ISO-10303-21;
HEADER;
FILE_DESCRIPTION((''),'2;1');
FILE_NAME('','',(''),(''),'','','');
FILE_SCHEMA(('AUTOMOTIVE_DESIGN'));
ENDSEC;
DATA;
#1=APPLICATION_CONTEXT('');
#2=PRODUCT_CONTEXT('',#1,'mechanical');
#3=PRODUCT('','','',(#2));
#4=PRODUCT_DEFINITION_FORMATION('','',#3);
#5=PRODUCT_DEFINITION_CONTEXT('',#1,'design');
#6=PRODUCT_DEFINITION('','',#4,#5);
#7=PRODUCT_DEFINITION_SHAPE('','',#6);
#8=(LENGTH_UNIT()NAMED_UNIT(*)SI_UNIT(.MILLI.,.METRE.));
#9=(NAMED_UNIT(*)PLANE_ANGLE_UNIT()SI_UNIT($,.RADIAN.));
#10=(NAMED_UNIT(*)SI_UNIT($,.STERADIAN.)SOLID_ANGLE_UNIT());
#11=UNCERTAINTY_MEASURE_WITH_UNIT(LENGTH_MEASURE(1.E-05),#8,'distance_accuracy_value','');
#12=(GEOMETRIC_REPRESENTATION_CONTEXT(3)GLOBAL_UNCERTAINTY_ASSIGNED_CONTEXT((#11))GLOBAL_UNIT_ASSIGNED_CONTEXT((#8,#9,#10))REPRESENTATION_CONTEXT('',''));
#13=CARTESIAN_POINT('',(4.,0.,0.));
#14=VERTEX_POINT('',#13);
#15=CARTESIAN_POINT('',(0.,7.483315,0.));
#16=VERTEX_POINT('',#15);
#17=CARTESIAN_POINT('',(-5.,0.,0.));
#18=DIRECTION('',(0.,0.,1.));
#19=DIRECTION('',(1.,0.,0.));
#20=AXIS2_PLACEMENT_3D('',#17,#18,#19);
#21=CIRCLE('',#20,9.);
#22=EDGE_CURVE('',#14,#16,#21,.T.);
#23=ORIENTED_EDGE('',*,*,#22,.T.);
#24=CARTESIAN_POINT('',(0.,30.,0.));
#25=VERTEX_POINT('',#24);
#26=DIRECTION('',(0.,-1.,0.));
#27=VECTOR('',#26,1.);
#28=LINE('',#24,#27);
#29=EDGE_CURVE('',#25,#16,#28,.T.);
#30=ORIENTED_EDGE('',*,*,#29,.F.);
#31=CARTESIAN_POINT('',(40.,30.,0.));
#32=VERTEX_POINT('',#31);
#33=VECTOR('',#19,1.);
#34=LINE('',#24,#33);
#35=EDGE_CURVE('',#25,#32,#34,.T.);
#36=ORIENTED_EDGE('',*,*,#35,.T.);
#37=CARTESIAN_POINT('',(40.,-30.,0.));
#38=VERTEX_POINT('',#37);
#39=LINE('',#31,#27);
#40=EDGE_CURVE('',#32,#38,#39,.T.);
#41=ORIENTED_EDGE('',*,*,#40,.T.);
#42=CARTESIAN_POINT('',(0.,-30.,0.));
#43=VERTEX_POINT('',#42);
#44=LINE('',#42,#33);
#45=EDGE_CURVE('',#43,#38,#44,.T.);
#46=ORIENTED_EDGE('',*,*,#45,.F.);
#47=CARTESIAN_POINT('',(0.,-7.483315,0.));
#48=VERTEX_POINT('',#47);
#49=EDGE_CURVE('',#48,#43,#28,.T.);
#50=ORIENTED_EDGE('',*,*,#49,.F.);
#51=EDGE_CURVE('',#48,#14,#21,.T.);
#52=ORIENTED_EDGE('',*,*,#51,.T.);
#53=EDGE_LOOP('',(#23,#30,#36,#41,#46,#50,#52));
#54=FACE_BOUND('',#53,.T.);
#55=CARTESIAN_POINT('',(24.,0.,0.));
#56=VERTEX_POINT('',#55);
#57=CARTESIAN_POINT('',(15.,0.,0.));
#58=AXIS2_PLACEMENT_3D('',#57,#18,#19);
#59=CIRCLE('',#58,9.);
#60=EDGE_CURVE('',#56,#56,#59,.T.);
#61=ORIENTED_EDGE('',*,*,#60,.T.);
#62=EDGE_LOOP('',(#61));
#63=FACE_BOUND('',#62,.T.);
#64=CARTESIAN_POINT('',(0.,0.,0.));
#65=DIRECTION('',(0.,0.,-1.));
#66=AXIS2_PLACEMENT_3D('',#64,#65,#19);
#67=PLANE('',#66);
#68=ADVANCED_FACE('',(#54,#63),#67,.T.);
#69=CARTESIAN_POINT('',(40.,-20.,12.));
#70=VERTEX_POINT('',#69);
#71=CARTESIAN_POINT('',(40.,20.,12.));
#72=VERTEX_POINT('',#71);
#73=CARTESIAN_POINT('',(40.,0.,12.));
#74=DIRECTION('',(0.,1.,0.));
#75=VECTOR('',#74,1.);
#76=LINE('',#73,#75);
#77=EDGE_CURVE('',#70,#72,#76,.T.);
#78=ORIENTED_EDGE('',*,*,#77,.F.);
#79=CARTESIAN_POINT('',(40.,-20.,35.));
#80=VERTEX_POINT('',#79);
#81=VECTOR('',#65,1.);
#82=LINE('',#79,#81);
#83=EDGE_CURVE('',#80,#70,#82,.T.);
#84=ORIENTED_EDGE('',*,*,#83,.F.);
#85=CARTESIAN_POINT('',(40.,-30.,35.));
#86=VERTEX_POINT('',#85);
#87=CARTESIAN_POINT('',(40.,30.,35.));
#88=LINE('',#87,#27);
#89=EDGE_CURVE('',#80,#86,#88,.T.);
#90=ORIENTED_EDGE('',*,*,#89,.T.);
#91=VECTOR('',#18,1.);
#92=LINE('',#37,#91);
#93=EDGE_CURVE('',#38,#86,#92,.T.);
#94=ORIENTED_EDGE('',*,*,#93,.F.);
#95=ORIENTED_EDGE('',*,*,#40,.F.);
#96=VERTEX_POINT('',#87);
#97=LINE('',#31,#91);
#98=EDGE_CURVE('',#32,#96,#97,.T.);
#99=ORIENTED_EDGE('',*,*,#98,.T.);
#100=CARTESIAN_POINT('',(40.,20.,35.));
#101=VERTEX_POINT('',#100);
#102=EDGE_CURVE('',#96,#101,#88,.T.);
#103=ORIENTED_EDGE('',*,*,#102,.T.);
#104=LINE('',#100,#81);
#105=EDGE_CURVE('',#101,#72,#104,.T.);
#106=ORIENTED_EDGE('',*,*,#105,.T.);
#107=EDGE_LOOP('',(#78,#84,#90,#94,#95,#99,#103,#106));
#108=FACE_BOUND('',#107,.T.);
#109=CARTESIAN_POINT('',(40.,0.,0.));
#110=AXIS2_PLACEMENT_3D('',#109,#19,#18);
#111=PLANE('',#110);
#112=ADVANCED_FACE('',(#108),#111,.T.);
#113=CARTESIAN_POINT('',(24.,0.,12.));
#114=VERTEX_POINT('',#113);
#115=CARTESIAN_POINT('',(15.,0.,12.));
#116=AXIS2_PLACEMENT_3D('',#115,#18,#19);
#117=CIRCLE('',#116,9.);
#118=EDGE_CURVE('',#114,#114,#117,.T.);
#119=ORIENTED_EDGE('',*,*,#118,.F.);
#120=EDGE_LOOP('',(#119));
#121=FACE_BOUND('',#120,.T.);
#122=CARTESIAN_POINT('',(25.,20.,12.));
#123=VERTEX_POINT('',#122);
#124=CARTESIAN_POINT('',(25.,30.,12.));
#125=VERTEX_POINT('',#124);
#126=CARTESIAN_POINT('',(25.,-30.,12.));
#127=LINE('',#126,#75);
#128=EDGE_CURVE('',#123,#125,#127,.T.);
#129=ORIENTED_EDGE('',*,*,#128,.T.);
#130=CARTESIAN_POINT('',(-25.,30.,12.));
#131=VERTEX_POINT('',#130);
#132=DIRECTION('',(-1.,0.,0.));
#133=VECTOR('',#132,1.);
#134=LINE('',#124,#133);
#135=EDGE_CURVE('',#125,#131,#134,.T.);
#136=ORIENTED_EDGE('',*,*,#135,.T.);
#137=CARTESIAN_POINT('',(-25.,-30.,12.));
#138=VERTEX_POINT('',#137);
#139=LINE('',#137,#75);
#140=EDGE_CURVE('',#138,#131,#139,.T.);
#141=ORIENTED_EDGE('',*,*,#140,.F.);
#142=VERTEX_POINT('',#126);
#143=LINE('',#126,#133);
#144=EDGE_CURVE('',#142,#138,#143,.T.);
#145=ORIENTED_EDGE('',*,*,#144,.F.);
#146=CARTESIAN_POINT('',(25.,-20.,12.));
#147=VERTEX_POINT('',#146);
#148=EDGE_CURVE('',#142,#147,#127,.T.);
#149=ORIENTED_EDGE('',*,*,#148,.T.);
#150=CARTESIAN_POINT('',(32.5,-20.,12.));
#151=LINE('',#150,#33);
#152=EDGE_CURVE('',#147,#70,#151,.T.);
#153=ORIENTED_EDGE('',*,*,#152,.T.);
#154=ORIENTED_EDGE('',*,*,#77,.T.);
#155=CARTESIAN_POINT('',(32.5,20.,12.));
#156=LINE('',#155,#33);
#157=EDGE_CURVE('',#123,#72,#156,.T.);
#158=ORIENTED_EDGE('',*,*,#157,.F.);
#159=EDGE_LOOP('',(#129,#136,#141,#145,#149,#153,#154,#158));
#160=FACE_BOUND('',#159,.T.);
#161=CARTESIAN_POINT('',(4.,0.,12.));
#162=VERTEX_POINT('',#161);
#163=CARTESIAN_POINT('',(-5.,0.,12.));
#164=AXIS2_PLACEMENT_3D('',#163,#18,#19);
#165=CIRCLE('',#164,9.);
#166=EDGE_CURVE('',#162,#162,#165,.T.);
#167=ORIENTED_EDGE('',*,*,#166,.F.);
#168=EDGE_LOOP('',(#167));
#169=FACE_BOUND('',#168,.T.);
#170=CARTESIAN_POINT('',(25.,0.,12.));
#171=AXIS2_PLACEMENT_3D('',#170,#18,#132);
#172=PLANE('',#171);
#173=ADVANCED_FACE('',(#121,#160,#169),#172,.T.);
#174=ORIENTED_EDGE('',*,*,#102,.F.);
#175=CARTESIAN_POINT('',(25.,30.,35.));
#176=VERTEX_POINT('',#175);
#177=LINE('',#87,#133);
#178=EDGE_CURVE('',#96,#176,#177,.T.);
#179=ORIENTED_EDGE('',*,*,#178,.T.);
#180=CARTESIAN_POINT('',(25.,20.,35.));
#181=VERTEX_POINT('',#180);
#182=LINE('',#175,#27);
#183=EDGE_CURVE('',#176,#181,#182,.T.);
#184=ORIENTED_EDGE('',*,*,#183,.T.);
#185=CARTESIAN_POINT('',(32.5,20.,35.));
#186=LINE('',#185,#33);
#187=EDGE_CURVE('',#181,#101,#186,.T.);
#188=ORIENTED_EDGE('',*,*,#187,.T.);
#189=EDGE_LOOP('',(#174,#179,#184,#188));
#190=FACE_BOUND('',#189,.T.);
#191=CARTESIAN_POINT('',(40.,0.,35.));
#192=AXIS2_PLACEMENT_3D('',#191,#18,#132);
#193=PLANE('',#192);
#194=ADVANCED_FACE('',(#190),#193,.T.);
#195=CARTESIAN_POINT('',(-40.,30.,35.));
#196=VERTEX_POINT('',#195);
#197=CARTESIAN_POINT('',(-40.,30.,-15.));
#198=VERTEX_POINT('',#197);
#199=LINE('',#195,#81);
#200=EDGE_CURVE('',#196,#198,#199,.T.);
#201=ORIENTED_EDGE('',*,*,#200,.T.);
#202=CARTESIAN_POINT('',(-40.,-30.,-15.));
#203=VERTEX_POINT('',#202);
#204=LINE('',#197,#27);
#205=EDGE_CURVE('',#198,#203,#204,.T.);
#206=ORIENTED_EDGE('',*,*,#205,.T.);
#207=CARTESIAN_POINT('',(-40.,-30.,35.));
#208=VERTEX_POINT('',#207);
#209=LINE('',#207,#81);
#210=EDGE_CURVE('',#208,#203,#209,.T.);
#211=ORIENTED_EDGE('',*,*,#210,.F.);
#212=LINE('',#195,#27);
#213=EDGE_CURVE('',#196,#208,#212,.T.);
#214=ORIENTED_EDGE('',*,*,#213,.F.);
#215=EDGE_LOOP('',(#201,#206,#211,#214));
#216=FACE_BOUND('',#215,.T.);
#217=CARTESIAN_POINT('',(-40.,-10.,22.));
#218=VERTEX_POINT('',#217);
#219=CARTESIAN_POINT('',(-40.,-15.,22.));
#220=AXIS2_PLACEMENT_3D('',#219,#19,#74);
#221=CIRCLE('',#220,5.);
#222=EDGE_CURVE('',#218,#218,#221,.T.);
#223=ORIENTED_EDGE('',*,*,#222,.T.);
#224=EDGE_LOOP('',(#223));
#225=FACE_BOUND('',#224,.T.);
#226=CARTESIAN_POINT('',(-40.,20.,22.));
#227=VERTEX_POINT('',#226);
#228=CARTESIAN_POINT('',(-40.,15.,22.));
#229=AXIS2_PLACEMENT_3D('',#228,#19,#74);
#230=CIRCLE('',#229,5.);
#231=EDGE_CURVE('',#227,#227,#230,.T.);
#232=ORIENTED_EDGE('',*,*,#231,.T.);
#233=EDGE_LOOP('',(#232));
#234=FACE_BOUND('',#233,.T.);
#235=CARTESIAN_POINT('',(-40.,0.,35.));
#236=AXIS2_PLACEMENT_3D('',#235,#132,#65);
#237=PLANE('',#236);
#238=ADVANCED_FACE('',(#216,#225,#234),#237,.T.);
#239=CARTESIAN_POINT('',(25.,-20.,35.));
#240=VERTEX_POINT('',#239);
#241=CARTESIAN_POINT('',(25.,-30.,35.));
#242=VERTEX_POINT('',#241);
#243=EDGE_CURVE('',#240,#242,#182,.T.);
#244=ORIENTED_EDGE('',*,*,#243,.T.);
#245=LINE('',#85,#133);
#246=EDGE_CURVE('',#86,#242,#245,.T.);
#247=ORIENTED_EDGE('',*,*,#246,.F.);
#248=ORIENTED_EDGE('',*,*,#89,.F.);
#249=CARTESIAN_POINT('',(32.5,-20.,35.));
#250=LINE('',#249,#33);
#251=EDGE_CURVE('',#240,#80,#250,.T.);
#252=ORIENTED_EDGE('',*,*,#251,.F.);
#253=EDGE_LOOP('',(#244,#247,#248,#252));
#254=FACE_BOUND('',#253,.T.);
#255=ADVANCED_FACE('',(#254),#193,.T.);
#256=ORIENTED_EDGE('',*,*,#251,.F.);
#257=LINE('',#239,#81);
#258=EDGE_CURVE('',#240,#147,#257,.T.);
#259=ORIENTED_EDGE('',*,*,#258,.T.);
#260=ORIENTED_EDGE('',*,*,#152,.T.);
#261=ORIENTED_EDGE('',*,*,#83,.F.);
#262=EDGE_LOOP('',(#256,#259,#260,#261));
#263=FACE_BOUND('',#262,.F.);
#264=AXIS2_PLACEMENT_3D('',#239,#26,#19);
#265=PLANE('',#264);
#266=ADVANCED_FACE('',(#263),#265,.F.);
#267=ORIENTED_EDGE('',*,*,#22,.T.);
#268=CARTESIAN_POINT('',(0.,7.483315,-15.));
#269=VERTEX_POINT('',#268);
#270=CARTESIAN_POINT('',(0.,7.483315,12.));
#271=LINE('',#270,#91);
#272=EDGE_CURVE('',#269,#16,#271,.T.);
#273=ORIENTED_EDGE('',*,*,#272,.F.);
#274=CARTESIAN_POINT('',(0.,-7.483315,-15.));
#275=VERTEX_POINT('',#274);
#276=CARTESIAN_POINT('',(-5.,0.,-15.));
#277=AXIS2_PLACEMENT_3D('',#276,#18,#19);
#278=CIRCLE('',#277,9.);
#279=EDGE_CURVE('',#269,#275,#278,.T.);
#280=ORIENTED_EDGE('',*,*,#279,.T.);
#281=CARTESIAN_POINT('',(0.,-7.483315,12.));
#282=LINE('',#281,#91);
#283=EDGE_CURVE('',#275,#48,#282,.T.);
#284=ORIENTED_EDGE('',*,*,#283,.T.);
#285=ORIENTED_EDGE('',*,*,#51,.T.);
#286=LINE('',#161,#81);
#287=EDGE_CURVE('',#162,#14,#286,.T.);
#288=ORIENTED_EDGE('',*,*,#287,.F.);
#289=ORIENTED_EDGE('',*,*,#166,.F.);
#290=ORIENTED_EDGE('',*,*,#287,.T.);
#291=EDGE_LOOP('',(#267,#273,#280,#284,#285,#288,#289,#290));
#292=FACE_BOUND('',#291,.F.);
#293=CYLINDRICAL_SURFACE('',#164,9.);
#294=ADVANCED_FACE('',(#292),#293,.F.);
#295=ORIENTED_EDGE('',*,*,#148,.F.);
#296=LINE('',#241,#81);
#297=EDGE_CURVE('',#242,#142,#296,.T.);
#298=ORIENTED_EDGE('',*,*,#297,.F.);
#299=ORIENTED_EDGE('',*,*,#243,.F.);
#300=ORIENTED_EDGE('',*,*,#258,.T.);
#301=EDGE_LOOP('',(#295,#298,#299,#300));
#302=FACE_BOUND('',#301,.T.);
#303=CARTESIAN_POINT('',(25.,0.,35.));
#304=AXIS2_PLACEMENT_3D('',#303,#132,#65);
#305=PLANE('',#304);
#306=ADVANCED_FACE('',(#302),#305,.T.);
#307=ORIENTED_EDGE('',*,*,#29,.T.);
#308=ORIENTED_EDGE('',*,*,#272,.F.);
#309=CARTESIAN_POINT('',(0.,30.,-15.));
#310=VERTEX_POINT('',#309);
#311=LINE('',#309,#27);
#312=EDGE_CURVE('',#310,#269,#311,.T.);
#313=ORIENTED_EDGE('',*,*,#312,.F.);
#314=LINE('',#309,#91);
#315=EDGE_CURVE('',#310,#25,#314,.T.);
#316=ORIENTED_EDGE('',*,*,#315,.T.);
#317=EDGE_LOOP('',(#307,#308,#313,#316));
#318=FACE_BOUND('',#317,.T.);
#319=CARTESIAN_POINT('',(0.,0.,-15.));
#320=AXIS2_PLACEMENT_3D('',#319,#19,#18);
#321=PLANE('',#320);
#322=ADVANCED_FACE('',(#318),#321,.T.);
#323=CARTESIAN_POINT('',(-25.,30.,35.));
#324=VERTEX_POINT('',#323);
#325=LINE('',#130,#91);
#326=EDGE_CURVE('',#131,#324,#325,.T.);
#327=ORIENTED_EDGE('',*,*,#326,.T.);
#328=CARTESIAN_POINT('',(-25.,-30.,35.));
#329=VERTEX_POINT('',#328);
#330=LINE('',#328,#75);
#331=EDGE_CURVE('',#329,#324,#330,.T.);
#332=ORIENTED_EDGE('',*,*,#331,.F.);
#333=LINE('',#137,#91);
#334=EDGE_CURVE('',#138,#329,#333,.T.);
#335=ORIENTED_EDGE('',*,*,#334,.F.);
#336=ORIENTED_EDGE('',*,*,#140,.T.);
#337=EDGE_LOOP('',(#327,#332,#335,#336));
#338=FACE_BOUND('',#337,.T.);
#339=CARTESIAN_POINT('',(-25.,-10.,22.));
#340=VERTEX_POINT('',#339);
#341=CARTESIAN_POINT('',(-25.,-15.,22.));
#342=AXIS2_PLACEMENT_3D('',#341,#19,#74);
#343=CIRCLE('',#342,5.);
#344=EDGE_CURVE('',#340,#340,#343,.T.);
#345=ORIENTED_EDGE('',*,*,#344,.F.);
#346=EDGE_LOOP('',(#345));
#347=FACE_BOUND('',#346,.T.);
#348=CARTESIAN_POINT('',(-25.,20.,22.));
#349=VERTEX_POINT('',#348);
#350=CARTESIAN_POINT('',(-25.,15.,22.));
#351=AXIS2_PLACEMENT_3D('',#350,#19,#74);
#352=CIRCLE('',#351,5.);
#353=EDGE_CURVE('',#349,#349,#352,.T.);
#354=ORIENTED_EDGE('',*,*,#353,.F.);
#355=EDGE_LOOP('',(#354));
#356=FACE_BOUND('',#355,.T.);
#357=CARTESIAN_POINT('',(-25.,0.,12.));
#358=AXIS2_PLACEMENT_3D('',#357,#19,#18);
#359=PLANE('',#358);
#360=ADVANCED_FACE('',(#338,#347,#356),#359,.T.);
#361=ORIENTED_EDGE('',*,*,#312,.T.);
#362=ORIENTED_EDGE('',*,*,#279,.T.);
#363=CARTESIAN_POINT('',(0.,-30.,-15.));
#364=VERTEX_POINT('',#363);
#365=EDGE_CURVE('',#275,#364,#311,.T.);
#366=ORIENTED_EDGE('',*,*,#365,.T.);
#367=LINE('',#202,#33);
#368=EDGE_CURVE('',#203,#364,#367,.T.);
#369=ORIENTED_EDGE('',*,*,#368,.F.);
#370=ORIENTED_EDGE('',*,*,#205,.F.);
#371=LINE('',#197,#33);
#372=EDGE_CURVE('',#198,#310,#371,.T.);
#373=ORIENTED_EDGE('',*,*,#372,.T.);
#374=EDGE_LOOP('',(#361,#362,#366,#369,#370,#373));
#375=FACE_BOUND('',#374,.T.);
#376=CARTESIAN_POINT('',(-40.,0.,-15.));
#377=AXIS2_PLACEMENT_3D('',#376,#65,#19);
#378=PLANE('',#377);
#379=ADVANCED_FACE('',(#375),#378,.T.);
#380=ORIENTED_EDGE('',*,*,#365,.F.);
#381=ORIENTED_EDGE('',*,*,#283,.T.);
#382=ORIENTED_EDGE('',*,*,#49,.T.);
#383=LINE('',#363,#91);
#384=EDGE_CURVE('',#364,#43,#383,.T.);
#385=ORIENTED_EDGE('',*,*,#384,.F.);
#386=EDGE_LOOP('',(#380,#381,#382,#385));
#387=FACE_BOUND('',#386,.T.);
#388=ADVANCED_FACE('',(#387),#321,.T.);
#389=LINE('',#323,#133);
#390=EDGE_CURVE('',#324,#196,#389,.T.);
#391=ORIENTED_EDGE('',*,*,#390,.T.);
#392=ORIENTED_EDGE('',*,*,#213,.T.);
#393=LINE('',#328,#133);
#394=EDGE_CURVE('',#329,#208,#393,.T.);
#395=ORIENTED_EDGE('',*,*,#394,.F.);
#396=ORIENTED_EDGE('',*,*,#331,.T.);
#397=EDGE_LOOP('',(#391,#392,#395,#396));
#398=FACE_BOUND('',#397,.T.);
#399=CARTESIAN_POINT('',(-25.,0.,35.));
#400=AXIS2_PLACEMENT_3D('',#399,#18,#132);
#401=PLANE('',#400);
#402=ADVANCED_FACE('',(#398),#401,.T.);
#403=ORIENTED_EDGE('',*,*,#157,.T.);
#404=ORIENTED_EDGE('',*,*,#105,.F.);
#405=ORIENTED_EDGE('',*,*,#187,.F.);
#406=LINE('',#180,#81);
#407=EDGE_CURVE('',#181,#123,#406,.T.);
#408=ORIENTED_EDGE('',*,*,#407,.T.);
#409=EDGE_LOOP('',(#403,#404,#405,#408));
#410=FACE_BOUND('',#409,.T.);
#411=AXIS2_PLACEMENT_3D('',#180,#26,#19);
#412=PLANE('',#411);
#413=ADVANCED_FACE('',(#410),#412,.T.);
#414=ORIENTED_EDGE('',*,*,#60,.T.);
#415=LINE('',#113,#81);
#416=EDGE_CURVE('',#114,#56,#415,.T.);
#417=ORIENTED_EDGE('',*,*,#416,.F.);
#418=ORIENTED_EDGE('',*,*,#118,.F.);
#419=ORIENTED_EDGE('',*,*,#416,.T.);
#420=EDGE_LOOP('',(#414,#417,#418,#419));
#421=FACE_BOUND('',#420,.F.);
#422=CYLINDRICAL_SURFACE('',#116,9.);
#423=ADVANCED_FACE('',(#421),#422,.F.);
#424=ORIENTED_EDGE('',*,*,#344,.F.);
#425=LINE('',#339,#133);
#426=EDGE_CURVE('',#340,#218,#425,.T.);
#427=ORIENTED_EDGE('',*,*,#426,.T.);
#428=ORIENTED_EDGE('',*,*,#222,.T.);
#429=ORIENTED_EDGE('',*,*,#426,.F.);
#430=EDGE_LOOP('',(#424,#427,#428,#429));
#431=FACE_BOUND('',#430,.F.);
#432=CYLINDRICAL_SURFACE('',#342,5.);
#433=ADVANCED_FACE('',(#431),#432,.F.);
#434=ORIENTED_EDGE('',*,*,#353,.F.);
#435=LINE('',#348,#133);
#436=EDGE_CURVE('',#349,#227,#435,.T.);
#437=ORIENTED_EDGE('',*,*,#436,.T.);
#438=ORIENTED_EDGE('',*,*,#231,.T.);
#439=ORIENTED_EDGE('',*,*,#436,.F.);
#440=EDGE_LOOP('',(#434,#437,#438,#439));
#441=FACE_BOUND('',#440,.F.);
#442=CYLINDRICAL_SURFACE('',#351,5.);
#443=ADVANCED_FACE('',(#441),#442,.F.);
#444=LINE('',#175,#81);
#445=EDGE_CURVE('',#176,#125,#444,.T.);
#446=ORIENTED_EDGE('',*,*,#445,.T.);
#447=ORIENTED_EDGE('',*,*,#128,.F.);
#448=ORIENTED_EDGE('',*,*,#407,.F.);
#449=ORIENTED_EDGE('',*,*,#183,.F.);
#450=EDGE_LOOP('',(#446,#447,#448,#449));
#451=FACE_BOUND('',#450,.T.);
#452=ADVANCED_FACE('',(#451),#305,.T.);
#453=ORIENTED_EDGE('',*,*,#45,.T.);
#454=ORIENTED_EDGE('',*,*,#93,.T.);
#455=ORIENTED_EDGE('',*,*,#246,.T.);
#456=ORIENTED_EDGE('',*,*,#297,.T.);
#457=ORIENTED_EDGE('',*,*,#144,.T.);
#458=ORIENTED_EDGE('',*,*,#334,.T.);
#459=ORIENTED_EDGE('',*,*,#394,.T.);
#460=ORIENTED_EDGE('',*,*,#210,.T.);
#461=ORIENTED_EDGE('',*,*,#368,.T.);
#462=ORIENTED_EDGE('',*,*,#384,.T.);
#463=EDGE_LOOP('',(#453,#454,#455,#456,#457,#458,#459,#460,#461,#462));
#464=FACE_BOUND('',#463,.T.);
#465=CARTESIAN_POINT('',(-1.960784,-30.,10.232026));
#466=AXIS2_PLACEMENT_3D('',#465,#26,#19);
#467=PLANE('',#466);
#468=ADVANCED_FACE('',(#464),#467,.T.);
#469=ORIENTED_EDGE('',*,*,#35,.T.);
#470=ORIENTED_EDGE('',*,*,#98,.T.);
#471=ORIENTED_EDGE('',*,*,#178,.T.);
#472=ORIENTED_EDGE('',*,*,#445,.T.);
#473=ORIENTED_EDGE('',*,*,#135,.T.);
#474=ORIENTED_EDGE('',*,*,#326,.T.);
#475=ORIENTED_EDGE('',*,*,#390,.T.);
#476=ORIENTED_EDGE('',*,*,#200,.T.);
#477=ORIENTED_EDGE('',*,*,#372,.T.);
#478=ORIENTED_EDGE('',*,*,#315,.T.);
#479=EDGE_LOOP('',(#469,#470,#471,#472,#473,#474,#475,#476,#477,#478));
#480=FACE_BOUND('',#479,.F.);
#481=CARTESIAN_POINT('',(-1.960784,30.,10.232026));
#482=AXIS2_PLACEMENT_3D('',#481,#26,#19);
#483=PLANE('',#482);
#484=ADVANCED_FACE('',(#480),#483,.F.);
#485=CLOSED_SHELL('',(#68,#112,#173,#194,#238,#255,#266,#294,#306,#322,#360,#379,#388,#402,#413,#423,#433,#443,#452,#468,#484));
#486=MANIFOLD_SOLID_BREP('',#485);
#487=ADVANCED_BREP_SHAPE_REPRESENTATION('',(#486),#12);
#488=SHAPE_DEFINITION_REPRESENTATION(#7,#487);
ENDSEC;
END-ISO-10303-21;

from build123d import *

# Parameters (mm, degrees)
F1_DEPTH = 30
F2_W     = 15
F2_H     = 40
F3_DEPTH = 23
F4_R     = 5
F5_DEPTH = 15
F6_R     = 9
F7_DEPTH = 27


with BuildPart() as f1:
    # F0 (on Front) → F1 (new body, symmetric)
    with BuildSketch(Plane.XZ):
        Polygon((-25, 35), (-40, 35), (-40, -15), (0, -15), (0, 0), (40, 0), (40, 35), (25, 35), (25, 12), (-25, 12), align=None)
    extrude(amount=F1_DEPTH, both=True)

    # F2 (on face) → F3 (cut, through all)
    with BuildSketch(Plane.XY.offset(35)):
        with Locations((32.5, 0)):
            Rectangle(F2_W, F2_H)
    extrude(amount=-F3_DEPTH, mode=Mode.SUBTRACT)

    # F4 (on face) → F5 (cut, through all)
    with BuildSketch(Plane.YZ.offset(-25)):
        with Locations((-15, 22)):
            Circle(F4_R)
        with Locations((15, 22)):
            Circle(F4_R)
    extrude(amount=-F5_DEPTH, mode=Mode.SUBTRACT)

    # F6 (on face) → F7 (cut, through all)
    with BuildSketch(Plane.XY.offset(12)):
        with Locations((-5, 0)):
            Circle(F6_R)
        with Locations((15, 0)):
            Circle(F6_R)
    extrude(amount=-F7_DEPTH, mode=Mode.SUBTRACT)


solid = f1.part
